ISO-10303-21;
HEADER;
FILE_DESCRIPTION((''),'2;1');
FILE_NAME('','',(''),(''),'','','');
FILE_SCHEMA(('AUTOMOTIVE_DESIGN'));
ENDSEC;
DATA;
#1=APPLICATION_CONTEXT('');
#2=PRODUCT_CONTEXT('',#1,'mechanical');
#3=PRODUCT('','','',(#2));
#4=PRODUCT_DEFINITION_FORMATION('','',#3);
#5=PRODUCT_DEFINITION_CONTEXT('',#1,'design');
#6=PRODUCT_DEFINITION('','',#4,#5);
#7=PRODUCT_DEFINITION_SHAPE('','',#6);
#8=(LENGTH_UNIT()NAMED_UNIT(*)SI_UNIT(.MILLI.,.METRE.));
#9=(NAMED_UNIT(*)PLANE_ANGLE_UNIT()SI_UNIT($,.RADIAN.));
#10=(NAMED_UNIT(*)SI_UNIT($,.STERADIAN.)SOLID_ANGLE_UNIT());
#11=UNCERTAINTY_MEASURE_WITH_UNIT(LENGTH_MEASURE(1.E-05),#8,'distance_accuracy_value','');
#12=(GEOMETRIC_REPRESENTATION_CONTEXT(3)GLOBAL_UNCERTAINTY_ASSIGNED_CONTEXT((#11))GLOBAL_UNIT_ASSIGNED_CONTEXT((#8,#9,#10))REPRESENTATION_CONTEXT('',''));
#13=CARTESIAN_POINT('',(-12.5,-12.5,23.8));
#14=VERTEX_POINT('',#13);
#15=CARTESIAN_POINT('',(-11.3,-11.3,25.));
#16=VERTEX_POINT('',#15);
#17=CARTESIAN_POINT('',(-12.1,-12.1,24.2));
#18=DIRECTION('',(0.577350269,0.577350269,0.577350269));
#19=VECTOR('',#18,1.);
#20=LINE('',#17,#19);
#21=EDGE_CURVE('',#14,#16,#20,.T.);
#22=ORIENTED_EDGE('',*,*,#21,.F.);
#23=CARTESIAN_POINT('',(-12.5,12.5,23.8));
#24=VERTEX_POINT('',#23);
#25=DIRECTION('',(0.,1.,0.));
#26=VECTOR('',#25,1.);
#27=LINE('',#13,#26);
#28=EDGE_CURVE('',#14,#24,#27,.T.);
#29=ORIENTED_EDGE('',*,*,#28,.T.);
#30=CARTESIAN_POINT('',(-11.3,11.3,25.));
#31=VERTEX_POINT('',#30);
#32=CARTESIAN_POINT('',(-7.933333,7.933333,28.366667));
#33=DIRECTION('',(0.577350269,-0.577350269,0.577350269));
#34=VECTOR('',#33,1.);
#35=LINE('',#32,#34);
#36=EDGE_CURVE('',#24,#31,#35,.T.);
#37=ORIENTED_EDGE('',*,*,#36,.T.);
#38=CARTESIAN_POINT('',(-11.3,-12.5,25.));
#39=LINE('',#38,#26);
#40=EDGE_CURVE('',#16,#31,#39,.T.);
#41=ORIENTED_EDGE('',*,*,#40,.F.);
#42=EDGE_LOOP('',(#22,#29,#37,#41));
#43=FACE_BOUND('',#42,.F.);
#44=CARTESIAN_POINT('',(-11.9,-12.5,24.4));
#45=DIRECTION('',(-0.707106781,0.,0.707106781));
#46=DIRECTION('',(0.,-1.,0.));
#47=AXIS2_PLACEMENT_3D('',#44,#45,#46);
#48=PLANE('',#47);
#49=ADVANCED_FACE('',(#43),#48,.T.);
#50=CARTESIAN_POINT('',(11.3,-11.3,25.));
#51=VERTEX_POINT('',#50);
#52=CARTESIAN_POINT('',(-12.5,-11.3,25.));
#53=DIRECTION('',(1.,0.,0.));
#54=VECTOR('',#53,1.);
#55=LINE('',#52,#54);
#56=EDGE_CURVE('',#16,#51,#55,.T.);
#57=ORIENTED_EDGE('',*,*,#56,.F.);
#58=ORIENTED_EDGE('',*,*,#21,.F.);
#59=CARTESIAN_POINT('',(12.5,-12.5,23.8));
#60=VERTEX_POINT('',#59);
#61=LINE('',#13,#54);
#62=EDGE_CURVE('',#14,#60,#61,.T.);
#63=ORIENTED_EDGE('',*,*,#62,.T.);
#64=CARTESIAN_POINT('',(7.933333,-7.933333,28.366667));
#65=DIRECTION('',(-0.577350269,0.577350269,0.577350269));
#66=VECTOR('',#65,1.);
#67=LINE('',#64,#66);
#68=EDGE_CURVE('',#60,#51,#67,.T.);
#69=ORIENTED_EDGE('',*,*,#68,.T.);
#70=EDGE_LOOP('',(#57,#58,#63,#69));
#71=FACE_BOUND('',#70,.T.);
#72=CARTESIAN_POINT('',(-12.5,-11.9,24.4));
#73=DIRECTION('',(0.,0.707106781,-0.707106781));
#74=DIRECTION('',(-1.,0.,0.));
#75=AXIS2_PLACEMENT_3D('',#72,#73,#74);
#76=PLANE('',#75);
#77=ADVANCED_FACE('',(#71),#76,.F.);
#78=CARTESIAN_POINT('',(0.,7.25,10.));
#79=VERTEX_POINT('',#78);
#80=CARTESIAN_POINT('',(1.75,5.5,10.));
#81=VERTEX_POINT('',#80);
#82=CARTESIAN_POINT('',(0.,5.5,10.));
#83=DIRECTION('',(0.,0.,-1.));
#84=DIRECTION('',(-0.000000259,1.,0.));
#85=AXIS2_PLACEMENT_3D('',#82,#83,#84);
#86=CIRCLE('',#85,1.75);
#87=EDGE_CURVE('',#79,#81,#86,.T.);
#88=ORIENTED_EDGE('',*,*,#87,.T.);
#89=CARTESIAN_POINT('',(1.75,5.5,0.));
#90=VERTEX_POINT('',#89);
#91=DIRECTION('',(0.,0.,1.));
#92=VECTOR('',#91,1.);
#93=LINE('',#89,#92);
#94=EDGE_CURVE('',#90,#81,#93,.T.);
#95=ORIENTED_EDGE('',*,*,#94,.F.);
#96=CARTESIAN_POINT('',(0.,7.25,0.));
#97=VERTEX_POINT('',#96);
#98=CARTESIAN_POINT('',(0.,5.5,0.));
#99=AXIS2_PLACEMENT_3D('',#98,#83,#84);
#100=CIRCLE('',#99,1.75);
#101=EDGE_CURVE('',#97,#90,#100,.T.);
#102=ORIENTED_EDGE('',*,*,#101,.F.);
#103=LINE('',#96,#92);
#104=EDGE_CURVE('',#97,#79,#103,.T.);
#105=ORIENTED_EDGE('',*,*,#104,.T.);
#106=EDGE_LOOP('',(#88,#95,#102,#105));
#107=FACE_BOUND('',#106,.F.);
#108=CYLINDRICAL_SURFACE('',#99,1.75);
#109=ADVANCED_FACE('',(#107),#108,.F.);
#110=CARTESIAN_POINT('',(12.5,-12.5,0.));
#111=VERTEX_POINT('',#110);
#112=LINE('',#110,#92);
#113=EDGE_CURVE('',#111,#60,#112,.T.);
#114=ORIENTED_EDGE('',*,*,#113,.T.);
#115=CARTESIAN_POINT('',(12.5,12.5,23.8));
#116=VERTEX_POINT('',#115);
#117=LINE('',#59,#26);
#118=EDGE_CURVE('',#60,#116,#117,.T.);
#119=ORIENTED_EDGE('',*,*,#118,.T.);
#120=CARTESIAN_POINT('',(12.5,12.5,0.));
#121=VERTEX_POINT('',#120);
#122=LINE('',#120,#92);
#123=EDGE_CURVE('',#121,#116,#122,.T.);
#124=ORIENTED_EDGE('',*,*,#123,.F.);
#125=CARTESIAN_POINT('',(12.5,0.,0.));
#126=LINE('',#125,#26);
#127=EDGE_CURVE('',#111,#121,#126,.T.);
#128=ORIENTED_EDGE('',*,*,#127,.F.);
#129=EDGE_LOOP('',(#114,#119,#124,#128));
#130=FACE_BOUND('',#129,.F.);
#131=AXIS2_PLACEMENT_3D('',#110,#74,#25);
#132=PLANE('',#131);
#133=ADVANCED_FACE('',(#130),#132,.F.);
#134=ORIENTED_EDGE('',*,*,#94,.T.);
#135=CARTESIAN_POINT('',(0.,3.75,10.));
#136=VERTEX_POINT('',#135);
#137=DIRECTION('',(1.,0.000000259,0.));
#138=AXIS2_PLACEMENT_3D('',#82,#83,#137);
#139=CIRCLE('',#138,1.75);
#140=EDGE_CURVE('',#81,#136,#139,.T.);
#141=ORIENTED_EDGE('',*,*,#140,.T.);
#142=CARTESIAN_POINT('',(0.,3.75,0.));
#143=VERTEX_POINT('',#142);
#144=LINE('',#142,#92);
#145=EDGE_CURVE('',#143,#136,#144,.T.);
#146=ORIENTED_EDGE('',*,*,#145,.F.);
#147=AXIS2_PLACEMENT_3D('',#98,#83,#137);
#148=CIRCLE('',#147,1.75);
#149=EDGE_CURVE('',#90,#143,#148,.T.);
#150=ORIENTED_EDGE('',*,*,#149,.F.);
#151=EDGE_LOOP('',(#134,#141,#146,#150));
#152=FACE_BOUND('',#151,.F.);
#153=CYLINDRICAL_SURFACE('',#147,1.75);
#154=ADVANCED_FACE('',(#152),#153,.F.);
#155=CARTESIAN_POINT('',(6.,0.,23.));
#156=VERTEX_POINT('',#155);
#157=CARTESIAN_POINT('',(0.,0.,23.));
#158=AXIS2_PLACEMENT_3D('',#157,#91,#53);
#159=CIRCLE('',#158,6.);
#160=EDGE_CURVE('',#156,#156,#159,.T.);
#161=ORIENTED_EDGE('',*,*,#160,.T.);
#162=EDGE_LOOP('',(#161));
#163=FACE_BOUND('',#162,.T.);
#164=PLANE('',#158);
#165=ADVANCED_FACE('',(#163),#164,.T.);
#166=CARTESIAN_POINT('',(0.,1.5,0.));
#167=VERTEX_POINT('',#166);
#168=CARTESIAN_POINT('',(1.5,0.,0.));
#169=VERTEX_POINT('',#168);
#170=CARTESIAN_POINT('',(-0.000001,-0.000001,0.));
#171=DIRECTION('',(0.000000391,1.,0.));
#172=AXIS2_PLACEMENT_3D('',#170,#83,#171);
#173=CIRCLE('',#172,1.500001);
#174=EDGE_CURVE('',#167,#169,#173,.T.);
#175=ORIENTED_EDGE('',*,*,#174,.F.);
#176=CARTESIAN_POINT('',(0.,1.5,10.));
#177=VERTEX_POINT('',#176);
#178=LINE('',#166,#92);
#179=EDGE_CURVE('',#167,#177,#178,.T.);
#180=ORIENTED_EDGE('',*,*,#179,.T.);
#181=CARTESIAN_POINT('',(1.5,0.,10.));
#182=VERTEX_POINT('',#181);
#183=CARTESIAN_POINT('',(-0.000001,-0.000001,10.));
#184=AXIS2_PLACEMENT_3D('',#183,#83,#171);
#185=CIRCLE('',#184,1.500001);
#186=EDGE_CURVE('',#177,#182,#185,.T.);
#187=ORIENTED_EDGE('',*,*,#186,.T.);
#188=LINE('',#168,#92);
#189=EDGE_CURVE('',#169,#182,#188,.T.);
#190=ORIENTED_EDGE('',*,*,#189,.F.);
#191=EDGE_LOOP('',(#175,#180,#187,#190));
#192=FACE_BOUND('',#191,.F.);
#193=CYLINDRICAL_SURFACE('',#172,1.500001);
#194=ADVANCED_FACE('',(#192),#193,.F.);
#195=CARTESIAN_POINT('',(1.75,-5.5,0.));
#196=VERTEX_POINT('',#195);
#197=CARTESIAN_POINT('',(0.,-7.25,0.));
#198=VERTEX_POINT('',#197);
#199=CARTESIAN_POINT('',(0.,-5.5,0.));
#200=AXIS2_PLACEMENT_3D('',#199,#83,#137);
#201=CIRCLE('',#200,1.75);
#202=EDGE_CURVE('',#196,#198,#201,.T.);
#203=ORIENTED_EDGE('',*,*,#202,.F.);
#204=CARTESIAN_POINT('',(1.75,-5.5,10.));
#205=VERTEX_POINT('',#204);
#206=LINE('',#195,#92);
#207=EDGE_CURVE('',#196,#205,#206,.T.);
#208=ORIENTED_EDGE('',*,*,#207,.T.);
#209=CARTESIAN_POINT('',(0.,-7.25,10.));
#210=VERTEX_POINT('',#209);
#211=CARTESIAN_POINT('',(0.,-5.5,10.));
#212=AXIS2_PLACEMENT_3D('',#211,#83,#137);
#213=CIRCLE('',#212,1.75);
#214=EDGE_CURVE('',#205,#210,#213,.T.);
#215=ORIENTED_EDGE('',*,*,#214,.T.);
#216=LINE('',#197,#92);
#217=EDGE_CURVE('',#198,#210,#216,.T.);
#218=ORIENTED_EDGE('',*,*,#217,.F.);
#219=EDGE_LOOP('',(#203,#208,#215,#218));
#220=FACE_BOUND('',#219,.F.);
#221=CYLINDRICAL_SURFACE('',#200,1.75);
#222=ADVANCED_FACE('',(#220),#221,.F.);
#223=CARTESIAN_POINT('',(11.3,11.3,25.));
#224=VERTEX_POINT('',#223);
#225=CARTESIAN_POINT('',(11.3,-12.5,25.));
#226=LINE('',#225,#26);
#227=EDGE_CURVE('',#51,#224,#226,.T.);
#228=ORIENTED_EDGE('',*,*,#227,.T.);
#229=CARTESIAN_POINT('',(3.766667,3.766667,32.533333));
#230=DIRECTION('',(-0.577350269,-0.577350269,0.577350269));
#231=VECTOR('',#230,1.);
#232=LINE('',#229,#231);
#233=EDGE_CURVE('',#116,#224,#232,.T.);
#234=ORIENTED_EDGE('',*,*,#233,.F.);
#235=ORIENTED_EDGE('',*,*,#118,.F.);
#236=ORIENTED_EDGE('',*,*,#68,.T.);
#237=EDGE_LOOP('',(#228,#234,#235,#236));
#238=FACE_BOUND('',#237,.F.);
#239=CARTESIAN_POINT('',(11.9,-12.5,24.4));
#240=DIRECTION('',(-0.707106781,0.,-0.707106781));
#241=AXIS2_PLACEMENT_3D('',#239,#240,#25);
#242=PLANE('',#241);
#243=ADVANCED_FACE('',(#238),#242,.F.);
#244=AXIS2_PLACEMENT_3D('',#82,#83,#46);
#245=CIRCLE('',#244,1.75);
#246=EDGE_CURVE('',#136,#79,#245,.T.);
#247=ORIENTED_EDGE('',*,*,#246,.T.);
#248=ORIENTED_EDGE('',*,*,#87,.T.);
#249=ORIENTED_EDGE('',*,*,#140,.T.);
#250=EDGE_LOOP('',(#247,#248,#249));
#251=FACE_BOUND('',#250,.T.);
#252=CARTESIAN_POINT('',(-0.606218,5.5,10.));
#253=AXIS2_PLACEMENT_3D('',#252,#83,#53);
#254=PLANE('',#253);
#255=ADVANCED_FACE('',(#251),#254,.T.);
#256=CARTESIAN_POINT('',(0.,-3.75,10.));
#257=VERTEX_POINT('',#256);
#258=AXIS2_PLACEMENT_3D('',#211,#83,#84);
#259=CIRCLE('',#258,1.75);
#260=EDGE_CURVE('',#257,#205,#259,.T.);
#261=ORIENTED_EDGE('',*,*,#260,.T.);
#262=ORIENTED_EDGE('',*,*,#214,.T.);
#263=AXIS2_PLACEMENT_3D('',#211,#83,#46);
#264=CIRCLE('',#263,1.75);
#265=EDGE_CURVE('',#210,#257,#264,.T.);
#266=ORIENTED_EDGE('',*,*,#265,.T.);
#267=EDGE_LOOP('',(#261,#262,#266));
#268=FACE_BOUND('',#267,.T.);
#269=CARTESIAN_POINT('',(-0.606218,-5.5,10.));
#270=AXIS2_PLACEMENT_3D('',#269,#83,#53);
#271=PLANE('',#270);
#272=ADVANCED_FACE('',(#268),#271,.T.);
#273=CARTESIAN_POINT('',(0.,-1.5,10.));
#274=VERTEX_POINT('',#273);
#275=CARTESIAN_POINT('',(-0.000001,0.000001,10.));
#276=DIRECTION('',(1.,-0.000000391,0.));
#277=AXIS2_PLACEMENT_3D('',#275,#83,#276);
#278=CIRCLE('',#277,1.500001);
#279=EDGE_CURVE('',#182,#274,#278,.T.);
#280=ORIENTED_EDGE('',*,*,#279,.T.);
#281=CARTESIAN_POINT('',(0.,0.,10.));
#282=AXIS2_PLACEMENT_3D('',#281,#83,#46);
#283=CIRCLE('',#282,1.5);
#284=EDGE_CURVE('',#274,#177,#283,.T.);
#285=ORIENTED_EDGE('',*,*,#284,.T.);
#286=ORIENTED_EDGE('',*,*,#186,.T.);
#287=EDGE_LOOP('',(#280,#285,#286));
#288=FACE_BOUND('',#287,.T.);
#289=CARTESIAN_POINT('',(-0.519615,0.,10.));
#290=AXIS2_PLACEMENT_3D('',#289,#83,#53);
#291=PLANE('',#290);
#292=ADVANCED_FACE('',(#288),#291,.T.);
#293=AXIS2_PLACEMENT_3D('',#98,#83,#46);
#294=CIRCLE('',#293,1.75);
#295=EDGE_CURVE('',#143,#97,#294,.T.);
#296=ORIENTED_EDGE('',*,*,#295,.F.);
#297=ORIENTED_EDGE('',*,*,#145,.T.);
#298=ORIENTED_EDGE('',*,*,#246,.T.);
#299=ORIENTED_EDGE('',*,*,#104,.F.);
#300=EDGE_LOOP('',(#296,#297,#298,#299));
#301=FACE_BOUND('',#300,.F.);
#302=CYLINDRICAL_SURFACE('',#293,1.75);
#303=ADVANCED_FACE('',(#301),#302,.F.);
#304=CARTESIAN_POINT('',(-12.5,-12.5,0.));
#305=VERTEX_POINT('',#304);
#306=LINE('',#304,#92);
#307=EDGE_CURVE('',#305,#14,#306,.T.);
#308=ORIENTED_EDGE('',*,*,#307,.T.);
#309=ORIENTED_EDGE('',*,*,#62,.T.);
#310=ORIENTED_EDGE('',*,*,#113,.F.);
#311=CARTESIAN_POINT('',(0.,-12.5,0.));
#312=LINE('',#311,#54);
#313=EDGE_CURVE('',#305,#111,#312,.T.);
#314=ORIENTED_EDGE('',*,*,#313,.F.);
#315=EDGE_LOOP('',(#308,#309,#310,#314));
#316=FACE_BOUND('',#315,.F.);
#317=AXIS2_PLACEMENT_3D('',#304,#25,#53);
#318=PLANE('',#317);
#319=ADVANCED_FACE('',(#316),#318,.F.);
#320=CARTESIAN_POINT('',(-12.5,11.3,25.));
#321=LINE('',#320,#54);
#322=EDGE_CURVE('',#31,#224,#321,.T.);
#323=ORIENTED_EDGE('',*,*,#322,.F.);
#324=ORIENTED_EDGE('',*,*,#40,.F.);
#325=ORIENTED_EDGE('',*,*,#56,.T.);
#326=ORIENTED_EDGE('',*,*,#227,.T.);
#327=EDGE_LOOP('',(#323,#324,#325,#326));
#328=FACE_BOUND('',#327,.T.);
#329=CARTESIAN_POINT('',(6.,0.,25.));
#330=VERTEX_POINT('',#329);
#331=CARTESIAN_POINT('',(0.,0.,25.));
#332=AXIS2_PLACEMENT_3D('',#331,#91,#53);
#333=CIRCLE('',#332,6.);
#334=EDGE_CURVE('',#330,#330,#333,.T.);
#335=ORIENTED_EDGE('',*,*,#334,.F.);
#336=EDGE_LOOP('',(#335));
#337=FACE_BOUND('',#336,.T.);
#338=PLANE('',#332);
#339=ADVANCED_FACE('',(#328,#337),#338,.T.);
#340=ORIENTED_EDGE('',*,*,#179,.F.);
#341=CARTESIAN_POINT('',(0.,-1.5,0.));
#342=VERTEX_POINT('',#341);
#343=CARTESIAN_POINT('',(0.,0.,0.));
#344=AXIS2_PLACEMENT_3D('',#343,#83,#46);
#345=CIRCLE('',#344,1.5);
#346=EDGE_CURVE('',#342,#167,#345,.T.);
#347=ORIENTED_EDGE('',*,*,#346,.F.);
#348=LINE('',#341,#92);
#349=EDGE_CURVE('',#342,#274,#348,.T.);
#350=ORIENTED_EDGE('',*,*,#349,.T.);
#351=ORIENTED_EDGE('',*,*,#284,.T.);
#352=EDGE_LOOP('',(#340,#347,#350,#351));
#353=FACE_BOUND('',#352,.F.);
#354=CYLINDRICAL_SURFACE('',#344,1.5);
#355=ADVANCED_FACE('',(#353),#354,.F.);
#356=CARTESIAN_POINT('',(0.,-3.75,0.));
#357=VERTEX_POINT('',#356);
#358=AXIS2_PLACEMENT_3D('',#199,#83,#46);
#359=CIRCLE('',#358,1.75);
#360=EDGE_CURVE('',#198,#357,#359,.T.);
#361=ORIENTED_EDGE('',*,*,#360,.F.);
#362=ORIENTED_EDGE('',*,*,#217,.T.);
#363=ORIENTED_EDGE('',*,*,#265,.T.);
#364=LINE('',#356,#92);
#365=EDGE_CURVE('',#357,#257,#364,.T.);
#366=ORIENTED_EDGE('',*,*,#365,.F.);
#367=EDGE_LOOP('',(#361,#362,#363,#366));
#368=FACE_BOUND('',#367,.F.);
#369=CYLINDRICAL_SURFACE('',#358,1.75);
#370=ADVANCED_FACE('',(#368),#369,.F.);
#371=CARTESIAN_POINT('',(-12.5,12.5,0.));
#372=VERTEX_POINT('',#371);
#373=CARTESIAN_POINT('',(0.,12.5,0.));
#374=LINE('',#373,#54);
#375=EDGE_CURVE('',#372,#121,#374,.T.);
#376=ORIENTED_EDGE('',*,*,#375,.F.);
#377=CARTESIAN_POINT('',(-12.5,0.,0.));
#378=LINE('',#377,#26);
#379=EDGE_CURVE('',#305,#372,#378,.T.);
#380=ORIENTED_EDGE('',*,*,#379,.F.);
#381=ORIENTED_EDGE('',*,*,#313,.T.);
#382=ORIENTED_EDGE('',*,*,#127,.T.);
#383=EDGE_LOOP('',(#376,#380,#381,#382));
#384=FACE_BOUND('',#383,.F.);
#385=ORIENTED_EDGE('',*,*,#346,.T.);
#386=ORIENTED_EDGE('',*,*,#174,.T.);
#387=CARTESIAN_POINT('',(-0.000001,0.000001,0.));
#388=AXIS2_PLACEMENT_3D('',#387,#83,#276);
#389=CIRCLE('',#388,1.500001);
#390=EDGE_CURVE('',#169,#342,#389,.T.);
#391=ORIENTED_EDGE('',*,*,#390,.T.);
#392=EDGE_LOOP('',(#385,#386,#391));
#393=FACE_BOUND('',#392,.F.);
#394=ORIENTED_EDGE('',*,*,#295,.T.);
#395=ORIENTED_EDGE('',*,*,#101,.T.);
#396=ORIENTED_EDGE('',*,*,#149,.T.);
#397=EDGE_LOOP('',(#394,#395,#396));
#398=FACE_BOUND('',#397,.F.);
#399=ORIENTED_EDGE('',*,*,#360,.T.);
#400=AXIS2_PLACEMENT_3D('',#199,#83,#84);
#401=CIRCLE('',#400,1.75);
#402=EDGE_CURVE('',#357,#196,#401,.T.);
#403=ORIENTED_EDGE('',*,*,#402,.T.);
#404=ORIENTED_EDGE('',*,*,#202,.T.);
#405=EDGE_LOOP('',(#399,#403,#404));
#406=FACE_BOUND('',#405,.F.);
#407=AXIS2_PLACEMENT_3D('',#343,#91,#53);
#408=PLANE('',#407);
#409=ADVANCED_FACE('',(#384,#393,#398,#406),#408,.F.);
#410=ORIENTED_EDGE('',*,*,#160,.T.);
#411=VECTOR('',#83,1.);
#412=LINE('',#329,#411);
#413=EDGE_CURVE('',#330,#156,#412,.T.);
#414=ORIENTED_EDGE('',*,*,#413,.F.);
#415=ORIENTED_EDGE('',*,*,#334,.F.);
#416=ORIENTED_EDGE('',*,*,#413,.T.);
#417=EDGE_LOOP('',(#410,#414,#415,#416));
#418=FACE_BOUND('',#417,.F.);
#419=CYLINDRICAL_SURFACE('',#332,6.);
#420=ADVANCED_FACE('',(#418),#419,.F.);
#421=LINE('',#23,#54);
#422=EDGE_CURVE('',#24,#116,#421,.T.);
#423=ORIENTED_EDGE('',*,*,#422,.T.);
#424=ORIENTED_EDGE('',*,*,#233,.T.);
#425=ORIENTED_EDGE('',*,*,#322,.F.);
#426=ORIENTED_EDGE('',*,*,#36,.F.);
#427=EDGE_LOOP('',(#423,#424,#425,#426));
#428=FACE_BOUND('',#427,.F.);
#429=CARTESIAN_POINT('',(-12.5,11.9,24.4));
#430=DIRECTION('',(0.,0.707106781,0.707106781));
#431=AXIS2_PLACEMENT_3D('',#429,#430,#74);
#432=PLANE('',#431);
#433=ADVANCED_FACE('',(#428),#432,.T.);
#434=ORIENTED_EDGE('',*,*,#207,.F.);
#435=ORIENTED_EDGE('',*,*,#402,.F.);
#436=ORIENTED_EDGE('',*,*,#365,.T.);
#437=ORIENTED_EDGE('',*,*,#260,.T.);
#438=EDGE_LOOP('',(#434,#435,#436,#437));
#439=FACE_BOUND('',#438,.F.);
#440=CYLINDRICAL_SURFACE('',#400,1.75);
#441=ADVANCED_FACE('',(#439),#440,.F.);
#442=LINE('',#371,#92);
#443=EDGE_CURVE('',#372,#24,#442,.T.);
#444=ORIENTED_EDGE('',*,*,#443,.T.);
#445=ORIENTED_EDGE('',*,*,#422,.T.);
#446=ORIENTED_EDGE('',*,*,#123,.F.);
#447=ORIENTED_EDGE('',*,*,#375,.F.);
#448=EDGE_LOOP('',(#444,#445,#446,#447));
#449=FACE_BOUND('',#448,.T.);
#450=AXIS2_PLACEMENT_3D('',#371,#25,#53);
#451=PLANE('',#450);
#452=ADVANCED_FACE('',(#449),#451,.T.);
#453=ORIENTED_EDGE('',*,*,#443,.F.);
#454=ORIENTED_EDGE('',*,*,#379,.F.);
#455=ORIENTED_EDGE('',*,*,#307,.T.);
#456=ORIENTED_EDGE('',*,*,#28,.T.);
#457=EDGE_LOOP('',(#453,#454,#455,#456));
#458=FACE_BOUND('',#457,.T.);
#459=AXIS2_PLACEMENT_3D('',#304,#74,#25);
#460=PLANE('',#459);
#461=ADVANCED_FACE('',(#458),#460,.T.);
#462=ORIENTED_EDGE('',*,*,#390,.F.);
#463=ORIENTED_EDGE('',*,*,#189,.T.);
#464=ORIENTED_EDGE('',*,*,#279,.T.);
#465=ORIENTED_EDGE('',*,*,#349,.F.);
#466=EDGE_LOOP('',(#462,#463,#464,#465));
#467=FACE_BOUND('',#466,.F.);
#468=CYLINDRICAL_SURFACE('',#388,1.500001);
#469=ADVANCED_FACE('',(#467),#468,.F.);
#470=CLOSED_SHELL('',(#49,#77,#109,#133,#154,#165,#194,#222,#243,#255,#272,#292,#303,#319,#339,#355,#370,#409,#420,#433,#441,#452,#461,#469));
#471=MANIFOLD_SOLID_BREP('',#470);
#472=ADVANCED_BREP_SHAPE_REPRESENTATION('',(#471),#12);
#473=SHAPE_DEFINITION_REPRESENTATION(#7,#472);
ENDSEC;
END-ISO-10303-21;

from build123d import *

# Parameters (mm, degrees)
F0_W     = 25
F0_H     = 25
F1_DEPTH = 25
F2_R     = 6
F3_DEPTH = 2
F5_DEPTH = 10
F6_SIZE  = 1.2


with BuildPart() as f1:
    # F0 (on Top) → F1 (new body)
    with BuildSketch(Plane.XY):
        Rectangle(F0_W, F0_H)
    extrude(amount=F1_DEPTH)

    # F2 (on face) → F3 (cut)
    with BuildSketch(Plane.XY.offset(25)):
        Circle(F2_R)
    extrude(amount=-F3_DEPTH, mode=Mode.SUBTRACT)

    # F4 (on face) → F5 (cut)
    with BuildSketch(Plane(origin=(0, 0, 0), x_dir=(1, 0, 0), z_dir=(0, 0, -1))):
        with BuildLine():
            ThreePointArc((0, -3.75), (-1.75, -5.5), (0, -7.25))
            Line((0, -7.25), (0, -3.75))
        make_face()
        with BuildLine():
            ThreePointArc((0, 7.25), (-1.75, 5.5), (0, 3.75))
            Line((0, 3.75), (0, 7.25))
        make_face()
        with BuildLine():
            Line((0, 7.25), (0, 3.75))
            ThreePointArc((0, 3.75), (1.237437, 4.262563), (1.75, 5.5))
            ThreePointArc((1.75, 5.5), (1.237437, 6.737437), (0, 7.25))
        make_face()
        with BuildLine():
            ThreePointArc((0, 1.5), (-1.5, 0), (0, -1.5))
            Line((0, -1.5), (0, 1.5))
        make_face()
        with BuildLine():
            Line((0, 1.5), (0, -1.5))
            ThreePointArc((0, -1.5), (1.06066, -1.06066), (1.5, 0))
            ThreePointArc((1.5, 0), (1.06066, 1.06066), (0, 1.5))
        make_face()
        with BuildLine():
            Line((0, -3.75), (0, -7.25))
            ThreePointArc((0, -7.25), (1.237437, -6.737437), (1.75, -5.5))
            ThreePointArc((1.75, -5.5), (1.237437, -4.262563), (0, -3.75))
        make_face()
    extrude(amount=-F5_DEPTH, mode=Mode.SUBTRACT)

    # F6
    f6_edges = [f1.edges().sort_by_distance(p)[0] for p in [
        (0, 12.5, 25),
        (-12.5, 0, 25),
        (0, -12.5, 25),
        (12.5, 0, 25),
    ]]
    chamfer(f6_edges, length=F6_SIZE)


solid = f1.part
